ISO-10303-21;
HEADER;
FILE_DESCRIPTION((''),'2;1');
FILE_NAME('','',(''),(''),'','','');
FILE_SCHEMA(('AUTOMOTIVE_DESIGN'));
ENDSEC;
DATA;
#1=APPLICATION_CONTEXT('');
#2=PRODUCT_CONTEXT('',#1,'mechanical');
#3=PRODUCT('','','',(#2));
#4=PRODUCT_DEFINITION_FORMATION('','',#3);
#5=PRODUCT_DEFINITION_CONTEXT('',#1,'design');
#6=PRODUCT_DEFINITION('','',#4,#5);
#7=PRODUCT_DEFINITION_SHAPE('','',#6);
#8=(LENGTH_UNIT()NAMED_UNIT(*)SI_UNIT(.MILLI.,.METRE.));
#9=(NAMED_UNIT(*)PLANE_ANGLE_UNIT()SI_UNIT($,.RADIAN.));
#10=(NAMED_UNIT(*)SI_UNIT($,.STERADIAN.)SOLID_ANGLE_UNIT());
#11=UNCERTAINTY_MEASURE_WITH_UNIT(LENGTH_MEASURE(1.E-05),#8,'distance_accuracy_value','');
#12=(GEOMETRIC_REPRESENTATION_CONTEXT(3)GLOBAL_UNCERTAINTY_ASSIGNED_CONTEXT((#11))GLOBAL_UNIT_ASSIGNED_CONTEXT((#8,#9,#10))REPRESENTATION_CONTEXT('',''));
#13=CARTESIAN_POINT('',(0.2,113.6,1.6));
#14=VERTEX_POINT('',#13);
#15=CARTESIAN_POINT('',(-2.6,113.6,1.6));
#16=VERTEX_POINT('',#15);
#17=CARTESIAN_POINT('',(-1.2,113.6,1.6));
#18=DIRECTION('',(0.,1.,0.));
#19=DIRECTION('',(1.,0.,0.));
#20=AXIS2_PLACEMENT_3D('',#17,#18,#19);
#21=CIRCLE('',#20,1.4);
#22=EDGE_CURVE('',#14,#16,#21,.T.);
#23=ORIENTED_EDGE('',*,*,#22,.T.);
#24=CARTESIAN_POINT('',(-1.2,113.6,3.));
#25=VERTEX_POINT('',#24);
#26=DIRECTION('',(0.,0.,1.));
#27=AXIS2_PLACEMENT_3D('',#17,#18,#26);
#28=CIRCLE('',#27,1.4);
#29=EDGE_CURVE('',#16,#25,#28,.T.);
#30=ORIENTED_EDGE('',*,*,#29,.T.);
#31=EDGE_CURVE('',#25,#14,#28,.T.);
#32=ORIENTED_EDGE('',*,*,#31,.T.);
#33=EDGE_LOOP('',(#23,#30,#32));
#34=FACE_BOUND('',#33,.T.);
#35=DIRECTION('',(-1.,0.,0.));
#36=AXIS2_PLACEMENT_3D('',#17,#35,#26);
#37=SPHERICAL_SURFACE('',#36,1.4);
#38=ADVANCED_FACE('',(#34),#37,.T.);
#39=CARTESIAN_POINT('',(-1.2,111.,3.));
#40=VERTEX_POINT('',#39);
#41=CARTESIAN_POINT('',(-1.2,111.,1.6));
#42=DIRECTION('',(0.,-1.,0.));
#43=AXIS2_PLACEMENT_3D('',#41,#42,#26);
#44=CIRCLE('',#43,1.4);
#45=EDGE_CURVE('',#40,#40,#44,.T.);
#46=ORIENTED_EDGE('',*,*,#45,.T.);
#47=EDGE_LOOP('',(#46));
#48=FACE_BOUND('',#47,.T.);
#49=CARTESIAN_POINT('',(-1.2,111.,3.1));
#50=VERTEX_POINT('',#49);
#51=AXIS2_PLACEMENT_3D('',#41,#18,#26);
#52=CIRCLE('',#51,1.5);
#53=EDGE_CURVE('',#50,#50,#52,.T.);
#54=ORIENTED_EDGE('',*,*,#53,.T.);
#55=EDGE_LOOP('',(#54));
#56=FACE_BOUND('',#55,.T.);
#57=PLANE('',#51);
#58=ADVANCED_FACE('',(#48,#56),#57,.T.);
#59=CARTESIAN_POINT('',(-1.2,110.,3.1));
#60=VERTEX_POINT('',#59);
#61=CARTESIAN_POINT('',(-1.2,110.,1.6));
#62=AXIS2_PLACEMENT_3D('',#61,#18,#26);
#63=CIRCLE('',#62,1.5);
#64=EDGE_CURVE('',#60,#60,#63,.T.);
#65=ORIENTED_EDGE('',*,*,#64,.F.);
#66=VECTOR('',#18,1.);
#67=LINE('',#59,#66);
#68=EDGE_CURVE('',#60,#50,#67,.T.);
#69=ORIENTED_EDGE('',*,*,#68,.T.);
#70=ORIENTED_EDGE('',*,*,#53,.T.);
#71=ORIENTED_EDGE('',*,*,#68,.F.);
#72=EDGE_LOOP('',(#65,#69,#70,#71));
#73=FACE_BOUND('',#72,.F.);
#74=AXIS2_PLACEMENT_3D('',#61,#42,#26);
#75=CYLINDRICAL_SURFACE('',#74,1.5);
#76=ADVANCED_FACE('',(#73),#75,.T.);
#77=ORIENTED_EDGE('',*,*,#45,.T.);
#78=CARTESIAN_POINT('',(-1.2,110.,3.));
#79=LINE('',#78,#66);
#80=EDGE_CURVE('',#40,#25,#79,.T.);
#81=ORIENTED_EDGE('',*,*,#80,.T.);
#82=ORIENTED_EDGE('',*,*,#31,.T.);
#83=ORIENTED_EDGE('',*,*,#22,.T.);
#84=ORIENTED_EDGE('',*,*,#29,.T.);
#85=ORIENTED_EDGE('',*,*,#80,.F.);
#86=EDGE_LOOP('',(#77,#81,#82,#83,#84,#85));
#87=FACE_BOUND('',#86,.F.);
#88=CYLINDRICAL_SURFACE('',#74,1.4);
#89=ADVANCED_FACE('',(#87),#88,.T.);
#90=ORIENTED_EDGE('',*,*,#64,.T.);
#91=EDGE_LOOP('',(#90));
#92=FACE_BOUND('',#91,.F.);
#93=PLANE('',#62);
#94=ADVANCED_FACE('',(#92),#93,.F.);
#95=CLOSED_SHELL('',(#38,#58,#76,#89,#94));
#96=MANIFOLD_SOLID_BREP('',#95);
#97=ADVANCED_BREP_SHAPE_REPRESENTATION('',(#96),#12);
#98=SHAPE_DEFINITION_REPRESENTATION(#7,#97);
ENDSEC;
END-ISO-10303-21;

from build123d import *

# Parameters (mm, degrees)
CYLINDER002_R          = 1.5
CYLINDER002_DEPTH      = 1
SPHERE_ANGLE           = 180
SPHERE_ROLL_ANGLE      = 90
CYLINDER003_R          = 1.4
CYLINDER003_DEPTH      = 3.6
FUSION_PITCH_ANGLE     = -90
FUSION_PLACEMENT_ANGLE = -90


with BuildPart() as cilindro002:
    # Cylinder002 → Cylinder002 (new body)
    with BuildSketch(Plane.XY):
        Circle(CYLINDER002_R)
    extrude(amount=CYLINDER002_DEPTH)


with BuildPart() as esf_ra:
    # Sphere → Sphere (revolve)
    with BuildSketch(Plane.XZ):
        with BuildLine():
            ThreePointArc((0, -1.4), (1.4, 0), (0, 1.4))
            Line((0, 1.4), (0, -1.4))
        make_face()
    revolve(axis=Axis((0, 0, 0), (0, 0, 1)), revolution_arc=SPHERE_ANGLE)


with BuildPart() as esf_ra_1:
    # Sphere roll: moved
    add(esf_ra.part.rotate(Axis((0, 0, 0), (1, 0, 0)), SPHERE_ROLL_ANGLE))


with BuildPart() as esf_ra_2:
    # Sphere placement: moved
    add(esf_ra_1.part.moved(Location((0, 0, 3.6))))


with BuildPart() as fundaled:
    # Cylinder003 → Cylinder003 (new body)
    with BuildSketch(Plane.XY):
        Circle(CYLINDER003_R)
    extrude(amount=CYLINDER003_DEPTH)

    # Fusion: union Cilindro002, Esféra
    add(cilindro002.part)
    add(esf_ra_2.part)


with BuildPart() as fundaled_1:
    # Fusion pitch: moved
    add(fundaled.part.rotate(Axis((0, 0, 0), (0, 1, 0)), FUSION_PITCH_ANGLE))


with BuildPart() as fundaled_2:
    # Fusion placement: moved
    add(fundaled_1.part.moved(Location((-1.2, 110, 1.6))).rotate(Axis((-1.2, 110, 1.6), (0, 0, 1)), FUSION_PLACEMENT_ANGLE))


solid = fundaled_2.part
